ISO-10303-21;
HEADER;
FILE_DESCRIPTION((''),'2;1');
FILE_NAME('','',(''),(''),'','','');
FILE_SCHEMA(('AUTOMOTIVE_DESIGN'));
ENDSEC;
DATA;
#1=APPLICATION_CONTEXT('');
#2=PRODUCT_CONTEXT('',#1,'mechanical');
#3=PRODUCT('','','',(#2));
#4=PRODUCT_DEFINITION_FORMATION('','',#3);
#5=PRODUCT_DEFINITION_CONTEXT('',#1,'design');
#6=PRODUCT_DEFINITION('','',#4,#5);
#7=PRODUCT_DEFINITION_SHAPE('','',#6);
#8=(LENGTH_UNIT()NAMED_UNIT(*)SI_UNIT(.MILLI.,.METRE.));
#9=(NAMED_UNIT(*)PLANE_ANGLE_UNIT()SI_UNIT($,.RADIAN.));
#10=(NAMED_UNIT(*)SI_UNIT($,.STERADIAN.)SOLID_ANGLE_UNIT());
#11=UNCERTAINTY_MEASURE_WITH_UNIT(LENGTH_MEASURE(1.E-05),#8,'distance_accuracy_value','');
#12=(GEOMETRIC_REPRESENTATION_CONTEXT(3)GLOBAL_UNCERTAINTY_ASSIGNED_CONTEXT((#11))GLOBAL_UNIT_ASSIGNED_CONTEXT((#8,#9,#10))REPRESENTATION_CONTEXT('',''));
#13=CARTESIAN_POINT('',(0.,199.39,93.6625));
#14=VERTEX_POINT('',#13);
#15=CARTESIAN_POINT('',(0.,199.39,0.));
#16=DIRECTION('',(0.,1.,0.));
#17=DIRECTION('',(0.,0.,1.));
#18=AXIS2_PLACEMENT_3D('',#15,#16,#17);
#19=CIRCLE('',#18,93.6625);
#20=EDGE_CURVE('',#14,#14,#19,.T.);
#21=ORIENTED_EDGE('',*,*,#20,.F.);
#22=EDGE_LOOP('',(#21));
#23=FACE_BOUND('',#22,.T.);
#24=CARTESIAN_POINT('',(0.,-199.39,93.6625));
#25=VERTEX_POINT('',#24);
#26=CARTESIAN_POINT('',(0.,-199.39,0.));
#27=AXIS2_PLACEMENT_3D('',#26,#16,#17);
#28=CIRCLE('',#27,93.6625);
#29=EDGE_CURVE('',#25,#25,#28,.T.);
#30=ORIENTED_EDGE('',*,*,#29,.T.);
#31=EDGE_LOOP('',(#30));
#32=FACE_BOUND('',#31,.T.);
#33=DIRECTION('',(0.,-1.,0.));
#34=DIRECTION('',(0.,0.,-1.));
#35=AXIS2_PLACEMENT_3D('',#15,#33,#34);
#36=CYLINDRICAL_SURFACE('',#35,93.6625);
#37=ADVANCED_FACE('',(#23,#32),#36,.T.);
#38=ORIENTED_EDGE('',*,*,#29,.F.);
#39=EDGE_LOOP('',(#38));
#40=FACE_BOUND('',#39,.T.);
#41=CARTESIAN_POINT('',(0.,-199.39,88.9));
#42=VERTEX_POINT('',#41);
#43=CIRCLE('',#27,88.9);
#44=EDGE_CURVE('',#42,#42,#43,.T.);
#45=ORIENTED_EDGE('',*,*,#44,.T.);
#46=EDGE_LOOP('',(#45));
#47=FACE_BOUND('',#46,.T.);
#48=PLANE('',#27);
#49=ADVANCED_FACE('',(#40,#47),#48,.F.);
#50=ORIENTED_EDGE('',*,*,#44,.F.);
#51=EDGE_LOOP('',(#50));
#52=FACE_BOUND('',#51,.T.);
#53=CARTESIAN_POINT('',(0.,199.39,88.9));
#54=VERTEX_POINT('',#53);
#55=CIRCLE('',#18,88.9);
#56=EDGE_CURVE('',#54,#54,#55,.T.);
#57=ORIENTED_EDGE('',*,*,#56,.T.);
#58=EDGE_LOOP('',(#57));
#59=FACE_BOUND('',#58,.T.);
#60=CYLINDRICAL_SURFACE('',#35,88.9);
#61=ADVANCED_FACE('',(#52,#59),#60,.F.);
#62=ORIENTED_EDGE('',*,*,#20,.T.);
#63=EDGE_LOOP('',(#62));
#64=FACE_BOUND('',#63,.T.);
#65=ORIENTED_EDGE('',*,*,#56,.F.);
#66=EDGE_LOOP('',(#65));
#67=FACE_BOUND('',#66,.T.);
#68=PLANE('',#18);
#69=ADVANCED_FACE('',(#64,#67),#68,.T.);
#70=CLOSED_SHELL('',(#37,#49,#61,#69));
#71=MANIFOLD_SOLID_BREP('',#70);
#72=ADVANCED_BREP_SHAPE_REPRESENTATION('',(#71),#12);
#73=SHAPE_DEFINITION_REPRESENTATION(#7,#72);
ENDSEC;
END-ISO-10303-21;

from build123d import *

# Parameters (mm, degrees)
SKETCH1_R           = 93.6625
SKETCH1_R_2         = 88.9
BOSS_EXTRUDE1_DEPTH = 199.39


with BuildPart() as part:
    # Sketch1 → Boss-Extrude1 (new, symmetric)
    with BuildSketch(Plane(origin=(0, 0, 0), x_dir=(1, 0, 0), z_dir=(0, 1, 0))):
        with Locations(Location((0, 0, 0), (0, 0, 270))):
            Circle(SKETCH1_R)
        with Locations(Location((0, 0, 0), (0, 0, 270))):
            Circle(SKETCH1_R_2, mode=Mode.SUBTRACT)
    extrude(amount=BOSS_EXTRUDE1_DEPTH, both=True)


solid = part.part
